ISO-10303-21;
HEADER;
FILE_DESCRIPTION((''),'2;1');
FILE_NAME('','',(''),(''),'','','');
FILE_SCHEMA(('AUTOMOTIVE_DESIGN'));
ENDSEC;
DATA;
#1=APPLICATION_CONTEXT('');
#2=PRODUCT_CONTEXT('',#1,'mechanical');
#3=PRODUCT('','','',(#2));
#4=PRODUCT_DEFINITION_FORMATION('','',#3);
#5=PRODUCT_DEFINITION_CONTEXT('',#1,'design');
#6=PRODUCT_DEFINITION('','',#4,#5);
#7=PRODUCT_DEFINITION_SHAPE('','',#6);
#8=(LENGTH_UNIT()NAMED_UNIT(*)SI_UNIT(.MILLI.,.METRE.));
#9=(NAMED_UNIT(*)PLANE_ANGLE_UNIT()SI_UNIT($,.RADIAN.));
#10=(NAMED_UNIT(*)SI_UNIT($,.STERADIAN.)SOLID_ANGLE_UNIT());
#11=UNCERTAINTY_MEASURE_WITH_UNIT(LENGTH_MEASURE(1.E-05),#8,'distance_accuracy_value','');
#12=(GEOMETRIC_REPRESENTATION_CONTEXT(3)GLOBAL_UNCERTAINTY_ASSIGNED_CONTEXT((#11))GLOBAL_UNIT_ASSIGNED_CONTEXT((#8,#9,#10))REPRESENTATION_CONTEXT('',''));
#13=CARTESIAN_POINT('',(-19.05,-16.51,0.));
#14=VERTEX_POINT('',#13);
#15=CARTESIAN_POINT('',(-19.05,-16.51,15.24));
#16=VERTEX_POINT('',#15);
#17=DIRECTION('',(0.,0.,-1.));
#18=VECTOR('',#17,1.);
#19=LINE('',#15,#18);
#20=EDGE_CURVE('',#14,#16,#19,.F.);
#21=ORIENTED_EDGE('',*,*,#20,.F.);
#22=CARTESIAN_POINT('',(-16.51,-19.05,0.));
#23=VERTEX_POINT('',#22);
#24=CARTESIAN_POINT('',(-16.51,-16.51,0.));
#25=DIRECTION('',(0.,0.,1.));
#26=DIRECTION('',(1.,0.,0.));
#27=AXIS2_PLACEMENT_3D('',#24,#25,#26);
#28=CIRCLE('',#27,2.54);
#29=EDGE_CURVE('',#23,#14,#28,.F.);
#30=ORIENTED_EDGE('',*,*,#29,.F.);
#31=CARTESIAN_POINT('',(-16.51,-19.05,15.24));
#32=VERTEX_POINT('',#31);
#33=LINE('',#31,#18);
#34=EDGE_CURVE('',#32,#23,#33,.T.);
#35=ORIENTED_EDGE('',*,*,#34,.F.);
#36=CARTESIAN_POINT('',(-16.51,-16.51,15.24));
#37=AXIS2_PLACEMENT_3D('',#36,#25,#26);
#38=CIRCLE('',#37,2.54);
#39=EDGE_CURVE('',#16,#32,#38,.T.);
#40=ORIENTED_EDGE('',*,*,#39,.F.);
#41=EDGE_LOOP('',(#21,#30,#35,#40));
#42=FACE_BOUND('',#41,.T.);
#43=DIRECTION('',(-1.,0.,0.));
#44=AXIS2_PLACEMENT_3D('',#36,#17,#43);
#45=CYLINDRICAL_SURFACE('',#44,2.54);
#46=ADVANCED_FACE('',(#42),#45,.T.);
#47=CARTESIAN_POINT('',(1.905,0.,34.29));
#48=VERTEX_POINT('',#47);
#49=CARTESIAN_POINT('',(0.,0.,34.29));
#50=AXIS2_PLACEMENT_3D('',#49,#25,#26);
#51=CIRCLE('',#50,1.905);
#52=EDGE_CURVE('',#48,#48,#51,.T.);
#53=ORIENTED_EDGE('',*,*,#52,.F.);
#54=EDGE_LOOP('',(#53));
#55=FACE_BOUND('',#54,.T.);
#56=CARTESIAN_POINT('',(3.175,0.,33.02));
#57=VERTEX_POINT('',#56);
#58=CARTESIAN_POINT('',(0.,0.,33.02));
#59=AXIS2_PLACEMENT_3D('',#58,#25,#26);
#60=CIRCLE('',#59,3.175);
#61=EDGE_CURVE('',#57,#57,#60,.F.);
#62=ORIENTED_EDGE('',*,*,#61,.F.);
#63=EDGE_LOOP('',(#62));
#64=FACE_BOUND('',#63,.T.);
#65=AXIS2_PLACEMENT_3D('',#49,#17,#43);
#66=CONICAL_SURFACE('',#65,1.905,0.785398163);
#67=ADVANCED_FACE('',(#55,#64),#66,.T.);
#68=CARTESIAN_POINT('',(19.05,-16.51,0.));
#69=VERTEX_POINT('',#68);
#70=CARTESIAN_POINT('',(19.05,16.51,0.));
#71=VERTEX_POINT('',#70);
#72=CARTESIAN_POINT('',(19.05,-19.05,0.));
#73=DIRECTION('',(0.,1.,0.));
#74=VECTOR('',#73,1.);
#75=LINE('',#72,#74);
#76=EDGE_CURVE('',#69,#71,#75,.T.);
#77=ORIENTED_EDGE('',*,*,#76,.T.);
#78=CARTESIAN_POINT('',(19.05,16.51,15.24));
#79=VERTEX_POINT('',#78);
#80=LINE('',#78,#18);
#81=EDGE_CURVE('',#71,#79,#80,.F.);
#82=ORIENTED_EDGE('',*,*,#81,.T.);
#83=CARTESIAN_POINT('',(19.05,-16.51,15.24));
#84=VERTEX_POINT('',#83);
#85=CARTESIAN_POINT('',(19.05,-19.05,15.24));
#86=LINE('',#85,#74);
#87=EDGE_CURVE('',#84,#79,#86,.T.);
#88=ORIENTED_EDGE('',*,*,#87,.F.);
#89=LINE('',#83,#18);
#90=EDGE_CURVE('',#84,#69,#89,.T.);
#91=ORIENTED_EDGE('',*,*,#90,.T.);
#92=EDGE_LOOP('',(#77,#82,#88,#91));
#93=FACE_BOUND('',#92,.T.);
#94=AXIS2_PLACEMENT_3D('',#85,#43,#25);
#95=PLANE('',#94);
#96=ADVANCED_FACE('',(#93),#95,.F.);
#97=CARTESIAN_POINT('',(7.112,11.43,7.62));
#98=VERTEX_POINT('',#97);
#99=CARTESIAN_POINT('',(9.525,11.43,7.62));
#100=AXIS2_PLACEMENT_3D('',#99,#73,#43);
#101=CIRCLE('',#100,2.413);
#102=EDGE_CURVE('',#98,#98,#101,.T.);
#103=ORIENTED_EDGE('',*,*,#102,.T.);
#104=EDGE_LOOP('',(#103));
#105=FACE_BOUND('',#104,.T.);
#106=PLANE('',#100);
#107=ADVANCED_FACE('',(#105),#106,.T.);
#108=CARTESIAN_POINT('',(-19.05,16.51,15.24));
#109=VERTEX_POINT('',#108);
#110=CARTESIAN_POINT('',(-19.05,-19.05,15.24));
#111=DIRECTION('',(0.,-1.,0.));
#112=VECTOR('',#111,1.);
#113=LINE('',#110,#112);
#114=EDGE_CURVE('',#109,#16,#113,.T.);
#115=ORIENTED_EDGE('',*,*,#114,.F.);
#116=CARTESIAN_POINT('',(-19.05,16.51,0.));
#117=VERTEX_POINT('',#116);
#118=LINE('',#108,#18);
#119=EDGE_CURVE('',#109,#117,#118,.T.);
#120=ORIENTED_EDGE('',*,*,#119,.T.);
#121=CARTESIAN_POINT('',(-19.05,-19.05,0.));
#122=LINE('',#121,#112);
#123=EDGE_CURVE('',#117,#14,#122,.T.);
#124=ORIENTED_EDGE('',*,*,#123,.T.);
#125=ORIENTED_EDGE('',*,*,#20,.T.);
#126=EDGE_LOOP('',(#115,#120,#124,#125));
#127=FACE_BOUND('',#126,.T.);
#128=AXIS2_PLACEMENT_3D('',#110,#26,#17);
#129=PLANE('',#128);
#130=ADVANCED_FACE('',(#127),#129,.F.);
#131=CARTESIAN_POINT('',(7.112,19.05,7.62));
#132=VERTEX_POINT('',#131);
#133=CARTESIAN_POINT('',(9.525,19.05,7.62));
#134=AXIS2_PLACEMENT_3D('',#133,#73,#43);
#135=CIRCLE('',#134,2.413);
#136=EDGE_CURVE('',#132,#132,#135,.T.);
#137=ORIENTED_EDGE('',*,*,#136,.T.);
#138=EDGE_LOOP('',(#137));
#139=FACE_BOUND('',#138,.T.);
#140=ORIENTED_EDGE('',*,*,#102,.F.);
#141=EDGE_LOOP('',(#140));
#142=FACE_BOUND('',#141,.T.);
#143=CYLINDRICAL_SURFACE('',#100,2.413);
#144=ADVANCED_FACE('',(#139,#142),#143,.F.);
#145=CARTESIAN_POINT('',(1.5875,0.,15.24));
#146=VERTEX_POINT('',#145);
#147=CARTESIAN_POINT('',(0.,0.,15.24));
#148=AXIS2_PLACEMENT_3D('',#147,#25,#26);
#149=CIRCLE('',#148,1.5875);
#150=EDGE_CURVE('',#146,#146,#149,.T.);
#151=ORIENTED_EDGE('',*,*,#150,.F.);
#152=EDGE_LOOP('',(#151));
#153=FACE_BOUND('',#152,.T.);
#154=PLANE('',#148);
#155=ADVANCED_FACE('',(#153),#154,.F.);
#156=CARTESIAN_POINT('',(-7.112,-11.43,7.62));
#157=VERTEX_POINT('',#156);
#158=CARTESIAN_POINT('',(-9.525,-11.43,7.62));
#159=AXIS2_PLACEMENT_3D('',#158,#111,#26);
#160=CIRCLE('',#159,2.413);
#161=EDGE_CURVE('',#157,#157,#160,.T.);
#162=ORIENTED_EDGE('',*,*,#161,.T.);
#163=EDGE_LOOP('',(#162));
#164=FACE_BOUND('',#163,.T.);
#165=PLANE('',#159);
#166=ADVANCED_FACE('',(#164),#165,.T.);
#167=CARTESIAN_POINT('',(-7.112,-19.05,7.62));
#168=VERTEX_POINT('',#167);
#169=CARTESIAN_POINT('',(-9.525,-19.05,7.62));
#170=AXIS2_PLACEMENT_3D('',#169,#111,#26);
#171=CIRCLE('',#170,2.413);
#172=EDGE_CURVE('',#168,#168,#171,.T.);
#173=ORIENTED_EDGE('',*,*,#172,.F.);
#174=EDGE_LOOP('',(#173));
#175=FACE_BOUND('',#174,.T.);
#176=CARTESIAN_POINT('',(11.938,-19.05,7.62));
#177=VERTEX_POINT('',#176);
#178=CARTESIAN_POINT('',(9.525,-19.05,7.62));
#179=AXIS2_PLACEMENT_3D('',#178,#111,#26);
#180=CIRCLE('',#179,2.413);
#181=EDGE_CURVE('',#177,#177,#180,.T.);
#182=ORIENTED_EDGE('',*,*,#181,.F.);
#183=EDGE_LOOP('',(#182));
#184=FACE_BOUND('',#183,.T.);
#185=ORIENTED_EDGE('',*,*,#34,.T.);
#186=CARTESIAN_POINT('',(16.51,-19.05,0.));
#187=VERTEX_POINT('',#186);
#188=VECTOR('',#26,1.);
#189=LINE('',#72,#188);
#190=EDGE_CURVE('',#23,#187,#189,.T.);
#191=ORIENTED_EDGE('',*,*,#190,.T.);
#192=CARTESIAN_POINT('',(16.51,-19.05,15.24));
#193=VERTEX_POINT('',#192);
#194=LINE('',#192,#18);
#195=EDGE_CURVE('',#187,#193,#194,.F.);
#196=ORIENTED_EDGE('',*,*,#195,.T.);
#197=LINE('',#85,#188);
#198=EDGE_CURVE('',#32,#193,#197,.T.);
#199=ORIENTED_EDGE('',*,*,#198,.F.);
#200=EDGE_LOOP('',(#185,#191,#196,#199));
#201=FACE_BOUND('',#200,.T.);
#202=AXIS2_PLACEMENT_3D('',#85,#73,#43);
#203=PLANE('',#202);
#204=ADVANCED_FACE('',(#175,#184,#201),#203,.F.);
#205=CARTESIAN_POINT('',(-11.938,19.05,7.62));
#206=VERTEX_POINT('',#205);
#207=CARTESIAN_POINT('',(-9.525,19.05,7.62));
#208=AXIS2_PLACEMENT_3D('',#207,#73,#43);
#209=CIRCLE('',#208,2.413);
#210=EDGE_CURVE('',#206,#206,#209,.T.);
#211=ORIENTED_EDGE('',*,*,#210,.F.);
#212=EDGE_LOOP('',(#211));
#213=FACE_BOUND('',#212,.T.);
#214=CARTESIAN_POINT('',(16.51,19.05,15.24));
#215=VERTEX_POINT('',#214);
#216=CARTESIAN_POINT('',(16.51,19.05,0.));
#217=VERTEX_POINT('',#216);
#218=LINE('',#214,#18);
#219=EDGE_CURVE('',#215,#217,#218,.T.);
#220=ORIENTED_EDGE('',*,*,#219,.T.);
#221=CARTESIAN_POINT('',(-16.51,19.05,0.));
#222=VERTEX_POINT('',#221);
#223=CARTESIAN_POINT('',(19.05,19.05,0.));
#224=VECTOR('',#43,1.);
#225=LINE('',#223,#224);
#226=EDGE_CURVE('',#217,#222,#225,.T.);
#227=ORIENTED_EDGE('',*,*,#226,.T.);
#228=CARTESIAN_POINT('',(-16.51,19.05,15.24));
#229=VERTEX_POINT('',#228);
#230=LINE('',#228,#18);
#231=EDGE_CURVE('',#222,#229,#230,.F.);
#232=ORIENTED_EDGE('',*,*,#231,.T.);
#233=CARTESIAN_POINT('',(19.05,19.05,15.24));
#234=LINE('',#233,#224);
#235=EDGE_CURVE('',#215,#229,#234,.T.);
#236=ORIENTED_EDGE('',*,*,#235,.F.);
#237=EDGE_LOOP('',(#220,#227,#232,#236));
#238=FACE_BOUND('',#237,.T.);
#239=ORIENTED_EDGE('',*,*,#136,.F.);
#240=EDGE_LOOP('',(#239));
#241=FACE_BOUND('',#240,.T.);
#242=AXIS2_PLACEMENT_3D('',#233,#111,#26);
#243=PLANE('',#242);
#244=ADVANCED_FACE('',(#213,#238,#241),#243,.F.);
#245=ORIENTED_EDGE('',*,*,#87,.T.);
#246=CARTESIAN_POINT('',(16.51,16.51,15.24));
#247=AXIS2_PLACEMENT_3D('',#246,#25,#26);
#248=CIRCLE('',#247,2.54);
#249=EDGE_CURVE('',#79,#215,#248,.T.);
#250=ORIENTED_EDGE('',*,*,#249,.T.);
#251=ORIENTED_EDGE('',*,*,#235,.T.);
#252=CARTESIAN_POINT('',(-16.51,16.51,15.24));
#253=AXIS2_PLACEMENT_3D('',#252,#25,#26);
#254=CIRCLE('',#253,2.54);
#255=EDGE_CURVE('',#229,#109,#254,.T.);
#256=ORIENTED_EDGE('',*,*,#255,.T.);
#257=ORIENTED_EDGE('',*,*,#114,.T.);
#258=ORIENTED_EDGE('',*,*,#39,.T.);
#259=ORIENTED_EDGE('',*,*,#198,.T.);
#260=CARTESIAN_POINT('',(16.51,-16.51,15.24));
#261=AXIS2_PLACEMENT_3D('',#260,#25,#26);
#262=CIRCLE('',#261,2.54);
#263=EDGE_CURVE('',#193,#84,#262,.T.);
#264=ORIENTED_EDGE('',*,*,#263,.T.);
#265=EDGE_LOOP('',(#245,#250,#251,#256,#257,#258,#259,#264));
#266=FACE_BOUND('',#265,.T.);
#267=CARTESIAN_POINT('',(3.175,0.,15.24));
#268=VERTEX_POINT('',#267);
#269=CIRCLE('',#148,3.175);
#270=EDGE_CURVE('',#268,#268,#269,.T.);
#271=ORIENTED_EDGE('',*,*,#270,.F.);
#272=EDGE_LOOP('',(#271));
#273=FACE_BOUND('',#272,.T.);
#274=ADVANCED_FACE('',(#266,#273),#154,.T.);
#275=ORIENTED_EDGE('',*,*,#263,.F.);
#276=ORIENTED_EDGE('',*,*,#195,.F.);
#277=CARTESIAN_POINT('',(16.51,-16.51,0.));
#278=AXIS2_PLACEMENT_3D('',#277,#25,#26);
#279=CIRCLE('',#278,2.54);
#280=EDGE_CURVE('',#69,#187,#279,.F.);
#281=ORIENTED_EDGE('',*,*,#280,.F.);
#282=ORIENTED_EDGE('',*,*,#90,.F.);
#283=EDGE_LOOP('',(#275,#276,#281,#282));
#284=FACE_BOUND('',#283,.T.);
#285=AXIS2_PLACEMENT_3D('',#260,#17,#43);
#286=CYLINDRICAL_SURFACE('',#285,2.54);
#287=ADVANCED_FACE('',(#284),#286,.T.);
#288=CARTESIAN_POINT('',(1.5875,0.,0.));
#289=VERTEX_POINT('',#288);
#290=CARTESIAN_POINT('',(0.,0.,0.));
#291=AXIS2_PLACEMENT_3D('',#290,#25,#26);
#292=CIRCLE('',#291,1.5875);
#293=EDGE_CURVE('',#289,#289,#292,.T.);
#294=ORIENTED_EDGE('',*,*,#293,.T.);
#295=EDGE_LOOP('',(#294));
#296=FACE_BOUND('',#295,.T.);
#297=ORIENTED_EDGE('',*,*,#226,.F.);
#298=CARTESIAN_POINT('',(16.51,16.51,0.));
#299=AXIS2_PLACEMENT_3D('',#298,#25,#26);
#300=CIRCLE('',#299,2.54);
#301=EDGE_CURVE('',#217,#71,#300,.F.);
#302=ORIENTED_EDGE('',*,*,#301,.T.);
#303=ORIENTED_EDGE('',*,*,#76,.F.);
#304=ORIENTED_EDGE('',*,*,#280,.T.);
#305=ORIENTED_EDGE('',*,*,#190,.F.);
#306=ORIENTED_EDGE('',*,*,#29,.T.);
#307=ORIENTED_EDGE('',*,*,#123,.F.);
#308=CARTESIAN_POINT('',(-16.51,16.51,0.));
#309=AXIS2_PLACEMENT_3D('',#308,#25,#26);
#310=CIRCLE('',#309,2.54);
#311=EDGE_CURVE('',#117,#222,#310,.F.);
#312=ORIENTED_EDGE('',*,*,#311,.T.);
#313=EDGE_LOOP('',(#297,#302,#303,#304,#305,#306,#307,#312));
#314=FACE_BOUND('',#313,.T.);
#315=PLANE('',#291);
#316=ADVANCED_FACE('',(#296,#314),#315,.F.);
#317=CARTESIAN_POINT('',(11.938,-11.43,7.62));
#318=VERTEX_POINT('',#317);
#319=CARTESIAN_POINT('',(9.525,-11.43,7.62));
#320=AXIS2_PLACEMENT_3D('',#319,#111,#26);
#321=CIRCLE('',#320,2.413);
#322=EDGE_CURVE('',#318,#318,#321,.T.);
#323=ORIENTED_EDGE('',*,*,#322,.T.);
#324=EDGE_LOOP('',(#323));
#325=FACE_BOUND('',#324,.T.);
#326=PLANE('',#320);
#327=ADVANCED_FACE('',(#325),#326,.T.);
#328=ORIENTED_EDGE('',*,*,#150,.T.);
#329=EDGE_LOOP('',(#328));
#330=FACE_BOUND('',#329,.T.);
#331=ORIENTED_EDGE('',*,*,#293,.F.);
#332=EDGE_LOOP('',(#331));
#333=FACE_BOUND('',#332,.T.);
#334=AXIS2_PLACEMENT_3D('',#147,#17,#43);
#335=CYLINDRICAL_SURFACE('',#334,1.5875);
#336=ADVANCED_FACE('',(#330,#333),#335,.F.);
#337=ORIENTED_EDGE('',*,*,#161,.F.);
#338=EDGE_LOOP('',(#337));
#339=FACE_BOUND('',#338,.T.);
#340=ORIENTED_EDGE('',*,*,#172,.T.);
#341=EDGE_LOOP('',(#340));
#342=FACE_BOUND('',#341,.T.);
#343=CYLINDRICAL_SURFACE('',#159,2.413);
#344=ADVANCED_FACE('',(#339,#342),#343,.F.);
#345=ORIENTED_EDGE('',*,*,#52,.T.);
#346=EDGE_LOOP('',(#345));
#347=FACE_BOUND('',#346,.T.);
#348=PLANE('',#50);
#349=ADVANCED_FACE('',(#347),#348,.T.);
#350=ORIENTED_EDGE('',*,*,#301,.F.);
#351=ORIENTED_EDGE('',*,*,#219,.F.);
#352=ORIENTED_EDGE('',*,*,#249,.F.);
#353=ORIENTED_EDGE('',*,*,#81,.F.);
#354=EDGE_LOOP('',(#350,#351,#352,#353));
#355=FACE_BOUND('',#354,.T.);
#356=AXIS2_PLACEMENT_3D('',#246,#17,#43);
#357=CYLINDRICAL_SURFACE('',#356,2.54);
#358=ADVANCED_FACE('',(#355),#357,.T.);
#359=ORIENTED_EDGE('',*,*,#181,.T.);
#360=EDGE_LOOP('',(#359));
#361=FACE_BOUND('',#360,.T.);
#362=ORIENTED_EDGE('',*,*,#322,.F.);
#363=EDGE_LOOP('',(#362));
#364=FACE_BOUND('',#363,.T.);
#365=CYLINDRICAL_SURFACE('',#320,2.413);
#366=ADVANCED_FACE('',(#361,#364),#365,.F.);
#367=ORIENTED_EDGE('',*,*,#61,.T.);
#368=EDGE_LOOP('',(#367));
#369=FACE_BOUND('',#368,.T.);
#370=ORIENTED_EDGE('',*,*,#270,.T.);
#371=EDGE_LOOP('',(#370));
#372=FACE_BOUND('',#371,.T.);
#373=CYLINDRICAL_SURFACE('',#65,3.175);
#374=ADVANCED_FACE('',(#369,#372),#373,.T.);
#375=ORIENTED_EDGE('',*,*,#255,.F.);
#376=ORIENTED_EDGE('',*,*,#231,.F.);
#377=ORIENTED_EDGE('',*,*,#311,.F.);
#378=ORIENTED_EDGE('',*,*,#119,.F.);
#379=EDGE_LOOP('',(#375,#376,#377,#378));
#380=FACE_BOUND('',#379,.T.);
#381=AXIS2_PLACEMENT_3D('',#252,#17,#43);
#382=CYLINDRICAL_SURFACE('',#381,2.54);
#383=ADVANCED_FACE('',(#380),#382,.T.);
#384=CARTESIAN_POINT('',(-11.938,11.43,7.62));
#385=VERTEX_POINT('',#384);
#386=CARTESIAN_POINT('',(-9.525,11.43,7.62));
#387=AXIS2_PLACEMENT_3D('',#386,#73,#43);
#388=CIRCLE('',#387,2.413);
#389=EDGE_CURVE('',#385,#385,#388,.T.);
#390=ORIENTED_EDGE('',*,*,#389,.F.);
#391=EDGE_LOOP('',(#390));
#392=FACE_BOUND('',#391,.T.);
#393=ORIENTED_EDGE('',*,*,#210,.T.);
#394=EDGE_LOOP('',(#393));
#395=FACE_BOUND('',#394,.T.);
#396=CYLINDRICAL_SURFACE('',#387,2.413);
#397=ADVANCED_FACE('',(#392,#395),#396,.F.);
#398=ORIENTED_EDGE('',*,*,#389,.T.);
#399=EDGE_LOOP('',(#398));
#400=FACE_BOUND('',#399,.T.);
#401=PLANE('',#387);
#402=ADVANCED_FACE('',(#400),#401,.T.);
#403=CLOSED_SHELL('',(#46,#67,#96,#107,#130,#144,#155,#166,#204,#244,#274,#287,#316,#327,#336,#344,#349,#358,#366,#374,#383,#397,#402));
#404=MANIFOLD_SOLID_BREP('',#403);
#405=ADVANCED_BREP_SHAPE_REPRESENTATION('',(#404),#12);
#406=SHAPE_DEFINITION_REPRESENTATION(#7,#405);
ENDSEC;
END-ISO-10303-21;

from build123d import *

# Parameters (mm, degrees)
SKETCH1_W           = 38.1
SKETCH1_H           = 38.1
SKETCH1_R           = 1.5875
BOSS_EXTRUDE2_DEPTH = 15.24
SKETCH3_R           = 3.175
BOSS_EXTRUDE3_DEPTH = 19.05
FILLET2_R           = 2.54
CHAMFER1_SIZE       = 1.27
SKETCH4_R           = 2.413
CUT_EXTRUDE2_DEPTH  = 7.62
SKETCH5_R           = 2.413
CUT_EXTRUDE3_DEPTH  = 7.62


with BuildPart() as part:
    # Sketch1 → Boss-Extrude2 (new body)
    with BuildSketch(Plane.XY):
        Rectangle(SKETCH1_W, SKETCH1_H)
        Circle(SKETCH1_R, mode=Mode.SUBTRACT)
    extrude(amount=BOSS_EXTRUDE2_DEPTH)

    # Sketch3 → Boss-Extrude3 (add)
    with BuildSketch(Plane.XY.offset(15.24)):
        Circle(SKETCH3_R)
    extrude(amount=BOSS_EXTRUDE3_DEPTH)

    # Fillet2
    fillet2_edges = [part.edges().sort_by_distance(p)[0] for p in [
        (-19.05, 19.05, 7.62),
        (19.05, 19.05, 7.62),
        (19.05, -19.05, 7.62),
        (-19.05, -19.05, 7.62),
    ]]
    fillet(fillet2_edges, radius=FILLET2_R)

    # Chamfer1
    chamfer1_edges = [part.edges().sort_by_distance(p)[0] for p in [
        (-3.175, 0, 34.29),
    ]]
    chamfer(chamfer1_edges, length=CHAMFER1_SIZE)

    # Sketch4 → Cut-Extrude2 (cut)
    with BuildSketch(Plane.XZ.offset(19.05)):
        with Locations((-9.525, 7.62)):
            Circle(SKETCH4_R)
        with Locations((9.525, 7.62)):
            Circle(SKETCH4_R)
    extrude(amount=-CUT_EXTRUDE2_DEPTH, mode=Mode.SUBTRACT)

    # Sketch5 → Cut-Extrude3 (cut)
    with BuildSketch(Plane(origin=(0, 19.05, 0), x_dir=(1, 0, 0), z_dir=(0, 1, 0))):
        with Locations((9.525, -7.62)):
            Circle(SKETCH5_R)
        with Locations((-9.525, -7.62)):
            Circle(SKETCH5_R)
    extrude(amount=-CUT_EXTRUDE3_DEPTH, mode=Mode.SUBTRACT)


solid = part.part
